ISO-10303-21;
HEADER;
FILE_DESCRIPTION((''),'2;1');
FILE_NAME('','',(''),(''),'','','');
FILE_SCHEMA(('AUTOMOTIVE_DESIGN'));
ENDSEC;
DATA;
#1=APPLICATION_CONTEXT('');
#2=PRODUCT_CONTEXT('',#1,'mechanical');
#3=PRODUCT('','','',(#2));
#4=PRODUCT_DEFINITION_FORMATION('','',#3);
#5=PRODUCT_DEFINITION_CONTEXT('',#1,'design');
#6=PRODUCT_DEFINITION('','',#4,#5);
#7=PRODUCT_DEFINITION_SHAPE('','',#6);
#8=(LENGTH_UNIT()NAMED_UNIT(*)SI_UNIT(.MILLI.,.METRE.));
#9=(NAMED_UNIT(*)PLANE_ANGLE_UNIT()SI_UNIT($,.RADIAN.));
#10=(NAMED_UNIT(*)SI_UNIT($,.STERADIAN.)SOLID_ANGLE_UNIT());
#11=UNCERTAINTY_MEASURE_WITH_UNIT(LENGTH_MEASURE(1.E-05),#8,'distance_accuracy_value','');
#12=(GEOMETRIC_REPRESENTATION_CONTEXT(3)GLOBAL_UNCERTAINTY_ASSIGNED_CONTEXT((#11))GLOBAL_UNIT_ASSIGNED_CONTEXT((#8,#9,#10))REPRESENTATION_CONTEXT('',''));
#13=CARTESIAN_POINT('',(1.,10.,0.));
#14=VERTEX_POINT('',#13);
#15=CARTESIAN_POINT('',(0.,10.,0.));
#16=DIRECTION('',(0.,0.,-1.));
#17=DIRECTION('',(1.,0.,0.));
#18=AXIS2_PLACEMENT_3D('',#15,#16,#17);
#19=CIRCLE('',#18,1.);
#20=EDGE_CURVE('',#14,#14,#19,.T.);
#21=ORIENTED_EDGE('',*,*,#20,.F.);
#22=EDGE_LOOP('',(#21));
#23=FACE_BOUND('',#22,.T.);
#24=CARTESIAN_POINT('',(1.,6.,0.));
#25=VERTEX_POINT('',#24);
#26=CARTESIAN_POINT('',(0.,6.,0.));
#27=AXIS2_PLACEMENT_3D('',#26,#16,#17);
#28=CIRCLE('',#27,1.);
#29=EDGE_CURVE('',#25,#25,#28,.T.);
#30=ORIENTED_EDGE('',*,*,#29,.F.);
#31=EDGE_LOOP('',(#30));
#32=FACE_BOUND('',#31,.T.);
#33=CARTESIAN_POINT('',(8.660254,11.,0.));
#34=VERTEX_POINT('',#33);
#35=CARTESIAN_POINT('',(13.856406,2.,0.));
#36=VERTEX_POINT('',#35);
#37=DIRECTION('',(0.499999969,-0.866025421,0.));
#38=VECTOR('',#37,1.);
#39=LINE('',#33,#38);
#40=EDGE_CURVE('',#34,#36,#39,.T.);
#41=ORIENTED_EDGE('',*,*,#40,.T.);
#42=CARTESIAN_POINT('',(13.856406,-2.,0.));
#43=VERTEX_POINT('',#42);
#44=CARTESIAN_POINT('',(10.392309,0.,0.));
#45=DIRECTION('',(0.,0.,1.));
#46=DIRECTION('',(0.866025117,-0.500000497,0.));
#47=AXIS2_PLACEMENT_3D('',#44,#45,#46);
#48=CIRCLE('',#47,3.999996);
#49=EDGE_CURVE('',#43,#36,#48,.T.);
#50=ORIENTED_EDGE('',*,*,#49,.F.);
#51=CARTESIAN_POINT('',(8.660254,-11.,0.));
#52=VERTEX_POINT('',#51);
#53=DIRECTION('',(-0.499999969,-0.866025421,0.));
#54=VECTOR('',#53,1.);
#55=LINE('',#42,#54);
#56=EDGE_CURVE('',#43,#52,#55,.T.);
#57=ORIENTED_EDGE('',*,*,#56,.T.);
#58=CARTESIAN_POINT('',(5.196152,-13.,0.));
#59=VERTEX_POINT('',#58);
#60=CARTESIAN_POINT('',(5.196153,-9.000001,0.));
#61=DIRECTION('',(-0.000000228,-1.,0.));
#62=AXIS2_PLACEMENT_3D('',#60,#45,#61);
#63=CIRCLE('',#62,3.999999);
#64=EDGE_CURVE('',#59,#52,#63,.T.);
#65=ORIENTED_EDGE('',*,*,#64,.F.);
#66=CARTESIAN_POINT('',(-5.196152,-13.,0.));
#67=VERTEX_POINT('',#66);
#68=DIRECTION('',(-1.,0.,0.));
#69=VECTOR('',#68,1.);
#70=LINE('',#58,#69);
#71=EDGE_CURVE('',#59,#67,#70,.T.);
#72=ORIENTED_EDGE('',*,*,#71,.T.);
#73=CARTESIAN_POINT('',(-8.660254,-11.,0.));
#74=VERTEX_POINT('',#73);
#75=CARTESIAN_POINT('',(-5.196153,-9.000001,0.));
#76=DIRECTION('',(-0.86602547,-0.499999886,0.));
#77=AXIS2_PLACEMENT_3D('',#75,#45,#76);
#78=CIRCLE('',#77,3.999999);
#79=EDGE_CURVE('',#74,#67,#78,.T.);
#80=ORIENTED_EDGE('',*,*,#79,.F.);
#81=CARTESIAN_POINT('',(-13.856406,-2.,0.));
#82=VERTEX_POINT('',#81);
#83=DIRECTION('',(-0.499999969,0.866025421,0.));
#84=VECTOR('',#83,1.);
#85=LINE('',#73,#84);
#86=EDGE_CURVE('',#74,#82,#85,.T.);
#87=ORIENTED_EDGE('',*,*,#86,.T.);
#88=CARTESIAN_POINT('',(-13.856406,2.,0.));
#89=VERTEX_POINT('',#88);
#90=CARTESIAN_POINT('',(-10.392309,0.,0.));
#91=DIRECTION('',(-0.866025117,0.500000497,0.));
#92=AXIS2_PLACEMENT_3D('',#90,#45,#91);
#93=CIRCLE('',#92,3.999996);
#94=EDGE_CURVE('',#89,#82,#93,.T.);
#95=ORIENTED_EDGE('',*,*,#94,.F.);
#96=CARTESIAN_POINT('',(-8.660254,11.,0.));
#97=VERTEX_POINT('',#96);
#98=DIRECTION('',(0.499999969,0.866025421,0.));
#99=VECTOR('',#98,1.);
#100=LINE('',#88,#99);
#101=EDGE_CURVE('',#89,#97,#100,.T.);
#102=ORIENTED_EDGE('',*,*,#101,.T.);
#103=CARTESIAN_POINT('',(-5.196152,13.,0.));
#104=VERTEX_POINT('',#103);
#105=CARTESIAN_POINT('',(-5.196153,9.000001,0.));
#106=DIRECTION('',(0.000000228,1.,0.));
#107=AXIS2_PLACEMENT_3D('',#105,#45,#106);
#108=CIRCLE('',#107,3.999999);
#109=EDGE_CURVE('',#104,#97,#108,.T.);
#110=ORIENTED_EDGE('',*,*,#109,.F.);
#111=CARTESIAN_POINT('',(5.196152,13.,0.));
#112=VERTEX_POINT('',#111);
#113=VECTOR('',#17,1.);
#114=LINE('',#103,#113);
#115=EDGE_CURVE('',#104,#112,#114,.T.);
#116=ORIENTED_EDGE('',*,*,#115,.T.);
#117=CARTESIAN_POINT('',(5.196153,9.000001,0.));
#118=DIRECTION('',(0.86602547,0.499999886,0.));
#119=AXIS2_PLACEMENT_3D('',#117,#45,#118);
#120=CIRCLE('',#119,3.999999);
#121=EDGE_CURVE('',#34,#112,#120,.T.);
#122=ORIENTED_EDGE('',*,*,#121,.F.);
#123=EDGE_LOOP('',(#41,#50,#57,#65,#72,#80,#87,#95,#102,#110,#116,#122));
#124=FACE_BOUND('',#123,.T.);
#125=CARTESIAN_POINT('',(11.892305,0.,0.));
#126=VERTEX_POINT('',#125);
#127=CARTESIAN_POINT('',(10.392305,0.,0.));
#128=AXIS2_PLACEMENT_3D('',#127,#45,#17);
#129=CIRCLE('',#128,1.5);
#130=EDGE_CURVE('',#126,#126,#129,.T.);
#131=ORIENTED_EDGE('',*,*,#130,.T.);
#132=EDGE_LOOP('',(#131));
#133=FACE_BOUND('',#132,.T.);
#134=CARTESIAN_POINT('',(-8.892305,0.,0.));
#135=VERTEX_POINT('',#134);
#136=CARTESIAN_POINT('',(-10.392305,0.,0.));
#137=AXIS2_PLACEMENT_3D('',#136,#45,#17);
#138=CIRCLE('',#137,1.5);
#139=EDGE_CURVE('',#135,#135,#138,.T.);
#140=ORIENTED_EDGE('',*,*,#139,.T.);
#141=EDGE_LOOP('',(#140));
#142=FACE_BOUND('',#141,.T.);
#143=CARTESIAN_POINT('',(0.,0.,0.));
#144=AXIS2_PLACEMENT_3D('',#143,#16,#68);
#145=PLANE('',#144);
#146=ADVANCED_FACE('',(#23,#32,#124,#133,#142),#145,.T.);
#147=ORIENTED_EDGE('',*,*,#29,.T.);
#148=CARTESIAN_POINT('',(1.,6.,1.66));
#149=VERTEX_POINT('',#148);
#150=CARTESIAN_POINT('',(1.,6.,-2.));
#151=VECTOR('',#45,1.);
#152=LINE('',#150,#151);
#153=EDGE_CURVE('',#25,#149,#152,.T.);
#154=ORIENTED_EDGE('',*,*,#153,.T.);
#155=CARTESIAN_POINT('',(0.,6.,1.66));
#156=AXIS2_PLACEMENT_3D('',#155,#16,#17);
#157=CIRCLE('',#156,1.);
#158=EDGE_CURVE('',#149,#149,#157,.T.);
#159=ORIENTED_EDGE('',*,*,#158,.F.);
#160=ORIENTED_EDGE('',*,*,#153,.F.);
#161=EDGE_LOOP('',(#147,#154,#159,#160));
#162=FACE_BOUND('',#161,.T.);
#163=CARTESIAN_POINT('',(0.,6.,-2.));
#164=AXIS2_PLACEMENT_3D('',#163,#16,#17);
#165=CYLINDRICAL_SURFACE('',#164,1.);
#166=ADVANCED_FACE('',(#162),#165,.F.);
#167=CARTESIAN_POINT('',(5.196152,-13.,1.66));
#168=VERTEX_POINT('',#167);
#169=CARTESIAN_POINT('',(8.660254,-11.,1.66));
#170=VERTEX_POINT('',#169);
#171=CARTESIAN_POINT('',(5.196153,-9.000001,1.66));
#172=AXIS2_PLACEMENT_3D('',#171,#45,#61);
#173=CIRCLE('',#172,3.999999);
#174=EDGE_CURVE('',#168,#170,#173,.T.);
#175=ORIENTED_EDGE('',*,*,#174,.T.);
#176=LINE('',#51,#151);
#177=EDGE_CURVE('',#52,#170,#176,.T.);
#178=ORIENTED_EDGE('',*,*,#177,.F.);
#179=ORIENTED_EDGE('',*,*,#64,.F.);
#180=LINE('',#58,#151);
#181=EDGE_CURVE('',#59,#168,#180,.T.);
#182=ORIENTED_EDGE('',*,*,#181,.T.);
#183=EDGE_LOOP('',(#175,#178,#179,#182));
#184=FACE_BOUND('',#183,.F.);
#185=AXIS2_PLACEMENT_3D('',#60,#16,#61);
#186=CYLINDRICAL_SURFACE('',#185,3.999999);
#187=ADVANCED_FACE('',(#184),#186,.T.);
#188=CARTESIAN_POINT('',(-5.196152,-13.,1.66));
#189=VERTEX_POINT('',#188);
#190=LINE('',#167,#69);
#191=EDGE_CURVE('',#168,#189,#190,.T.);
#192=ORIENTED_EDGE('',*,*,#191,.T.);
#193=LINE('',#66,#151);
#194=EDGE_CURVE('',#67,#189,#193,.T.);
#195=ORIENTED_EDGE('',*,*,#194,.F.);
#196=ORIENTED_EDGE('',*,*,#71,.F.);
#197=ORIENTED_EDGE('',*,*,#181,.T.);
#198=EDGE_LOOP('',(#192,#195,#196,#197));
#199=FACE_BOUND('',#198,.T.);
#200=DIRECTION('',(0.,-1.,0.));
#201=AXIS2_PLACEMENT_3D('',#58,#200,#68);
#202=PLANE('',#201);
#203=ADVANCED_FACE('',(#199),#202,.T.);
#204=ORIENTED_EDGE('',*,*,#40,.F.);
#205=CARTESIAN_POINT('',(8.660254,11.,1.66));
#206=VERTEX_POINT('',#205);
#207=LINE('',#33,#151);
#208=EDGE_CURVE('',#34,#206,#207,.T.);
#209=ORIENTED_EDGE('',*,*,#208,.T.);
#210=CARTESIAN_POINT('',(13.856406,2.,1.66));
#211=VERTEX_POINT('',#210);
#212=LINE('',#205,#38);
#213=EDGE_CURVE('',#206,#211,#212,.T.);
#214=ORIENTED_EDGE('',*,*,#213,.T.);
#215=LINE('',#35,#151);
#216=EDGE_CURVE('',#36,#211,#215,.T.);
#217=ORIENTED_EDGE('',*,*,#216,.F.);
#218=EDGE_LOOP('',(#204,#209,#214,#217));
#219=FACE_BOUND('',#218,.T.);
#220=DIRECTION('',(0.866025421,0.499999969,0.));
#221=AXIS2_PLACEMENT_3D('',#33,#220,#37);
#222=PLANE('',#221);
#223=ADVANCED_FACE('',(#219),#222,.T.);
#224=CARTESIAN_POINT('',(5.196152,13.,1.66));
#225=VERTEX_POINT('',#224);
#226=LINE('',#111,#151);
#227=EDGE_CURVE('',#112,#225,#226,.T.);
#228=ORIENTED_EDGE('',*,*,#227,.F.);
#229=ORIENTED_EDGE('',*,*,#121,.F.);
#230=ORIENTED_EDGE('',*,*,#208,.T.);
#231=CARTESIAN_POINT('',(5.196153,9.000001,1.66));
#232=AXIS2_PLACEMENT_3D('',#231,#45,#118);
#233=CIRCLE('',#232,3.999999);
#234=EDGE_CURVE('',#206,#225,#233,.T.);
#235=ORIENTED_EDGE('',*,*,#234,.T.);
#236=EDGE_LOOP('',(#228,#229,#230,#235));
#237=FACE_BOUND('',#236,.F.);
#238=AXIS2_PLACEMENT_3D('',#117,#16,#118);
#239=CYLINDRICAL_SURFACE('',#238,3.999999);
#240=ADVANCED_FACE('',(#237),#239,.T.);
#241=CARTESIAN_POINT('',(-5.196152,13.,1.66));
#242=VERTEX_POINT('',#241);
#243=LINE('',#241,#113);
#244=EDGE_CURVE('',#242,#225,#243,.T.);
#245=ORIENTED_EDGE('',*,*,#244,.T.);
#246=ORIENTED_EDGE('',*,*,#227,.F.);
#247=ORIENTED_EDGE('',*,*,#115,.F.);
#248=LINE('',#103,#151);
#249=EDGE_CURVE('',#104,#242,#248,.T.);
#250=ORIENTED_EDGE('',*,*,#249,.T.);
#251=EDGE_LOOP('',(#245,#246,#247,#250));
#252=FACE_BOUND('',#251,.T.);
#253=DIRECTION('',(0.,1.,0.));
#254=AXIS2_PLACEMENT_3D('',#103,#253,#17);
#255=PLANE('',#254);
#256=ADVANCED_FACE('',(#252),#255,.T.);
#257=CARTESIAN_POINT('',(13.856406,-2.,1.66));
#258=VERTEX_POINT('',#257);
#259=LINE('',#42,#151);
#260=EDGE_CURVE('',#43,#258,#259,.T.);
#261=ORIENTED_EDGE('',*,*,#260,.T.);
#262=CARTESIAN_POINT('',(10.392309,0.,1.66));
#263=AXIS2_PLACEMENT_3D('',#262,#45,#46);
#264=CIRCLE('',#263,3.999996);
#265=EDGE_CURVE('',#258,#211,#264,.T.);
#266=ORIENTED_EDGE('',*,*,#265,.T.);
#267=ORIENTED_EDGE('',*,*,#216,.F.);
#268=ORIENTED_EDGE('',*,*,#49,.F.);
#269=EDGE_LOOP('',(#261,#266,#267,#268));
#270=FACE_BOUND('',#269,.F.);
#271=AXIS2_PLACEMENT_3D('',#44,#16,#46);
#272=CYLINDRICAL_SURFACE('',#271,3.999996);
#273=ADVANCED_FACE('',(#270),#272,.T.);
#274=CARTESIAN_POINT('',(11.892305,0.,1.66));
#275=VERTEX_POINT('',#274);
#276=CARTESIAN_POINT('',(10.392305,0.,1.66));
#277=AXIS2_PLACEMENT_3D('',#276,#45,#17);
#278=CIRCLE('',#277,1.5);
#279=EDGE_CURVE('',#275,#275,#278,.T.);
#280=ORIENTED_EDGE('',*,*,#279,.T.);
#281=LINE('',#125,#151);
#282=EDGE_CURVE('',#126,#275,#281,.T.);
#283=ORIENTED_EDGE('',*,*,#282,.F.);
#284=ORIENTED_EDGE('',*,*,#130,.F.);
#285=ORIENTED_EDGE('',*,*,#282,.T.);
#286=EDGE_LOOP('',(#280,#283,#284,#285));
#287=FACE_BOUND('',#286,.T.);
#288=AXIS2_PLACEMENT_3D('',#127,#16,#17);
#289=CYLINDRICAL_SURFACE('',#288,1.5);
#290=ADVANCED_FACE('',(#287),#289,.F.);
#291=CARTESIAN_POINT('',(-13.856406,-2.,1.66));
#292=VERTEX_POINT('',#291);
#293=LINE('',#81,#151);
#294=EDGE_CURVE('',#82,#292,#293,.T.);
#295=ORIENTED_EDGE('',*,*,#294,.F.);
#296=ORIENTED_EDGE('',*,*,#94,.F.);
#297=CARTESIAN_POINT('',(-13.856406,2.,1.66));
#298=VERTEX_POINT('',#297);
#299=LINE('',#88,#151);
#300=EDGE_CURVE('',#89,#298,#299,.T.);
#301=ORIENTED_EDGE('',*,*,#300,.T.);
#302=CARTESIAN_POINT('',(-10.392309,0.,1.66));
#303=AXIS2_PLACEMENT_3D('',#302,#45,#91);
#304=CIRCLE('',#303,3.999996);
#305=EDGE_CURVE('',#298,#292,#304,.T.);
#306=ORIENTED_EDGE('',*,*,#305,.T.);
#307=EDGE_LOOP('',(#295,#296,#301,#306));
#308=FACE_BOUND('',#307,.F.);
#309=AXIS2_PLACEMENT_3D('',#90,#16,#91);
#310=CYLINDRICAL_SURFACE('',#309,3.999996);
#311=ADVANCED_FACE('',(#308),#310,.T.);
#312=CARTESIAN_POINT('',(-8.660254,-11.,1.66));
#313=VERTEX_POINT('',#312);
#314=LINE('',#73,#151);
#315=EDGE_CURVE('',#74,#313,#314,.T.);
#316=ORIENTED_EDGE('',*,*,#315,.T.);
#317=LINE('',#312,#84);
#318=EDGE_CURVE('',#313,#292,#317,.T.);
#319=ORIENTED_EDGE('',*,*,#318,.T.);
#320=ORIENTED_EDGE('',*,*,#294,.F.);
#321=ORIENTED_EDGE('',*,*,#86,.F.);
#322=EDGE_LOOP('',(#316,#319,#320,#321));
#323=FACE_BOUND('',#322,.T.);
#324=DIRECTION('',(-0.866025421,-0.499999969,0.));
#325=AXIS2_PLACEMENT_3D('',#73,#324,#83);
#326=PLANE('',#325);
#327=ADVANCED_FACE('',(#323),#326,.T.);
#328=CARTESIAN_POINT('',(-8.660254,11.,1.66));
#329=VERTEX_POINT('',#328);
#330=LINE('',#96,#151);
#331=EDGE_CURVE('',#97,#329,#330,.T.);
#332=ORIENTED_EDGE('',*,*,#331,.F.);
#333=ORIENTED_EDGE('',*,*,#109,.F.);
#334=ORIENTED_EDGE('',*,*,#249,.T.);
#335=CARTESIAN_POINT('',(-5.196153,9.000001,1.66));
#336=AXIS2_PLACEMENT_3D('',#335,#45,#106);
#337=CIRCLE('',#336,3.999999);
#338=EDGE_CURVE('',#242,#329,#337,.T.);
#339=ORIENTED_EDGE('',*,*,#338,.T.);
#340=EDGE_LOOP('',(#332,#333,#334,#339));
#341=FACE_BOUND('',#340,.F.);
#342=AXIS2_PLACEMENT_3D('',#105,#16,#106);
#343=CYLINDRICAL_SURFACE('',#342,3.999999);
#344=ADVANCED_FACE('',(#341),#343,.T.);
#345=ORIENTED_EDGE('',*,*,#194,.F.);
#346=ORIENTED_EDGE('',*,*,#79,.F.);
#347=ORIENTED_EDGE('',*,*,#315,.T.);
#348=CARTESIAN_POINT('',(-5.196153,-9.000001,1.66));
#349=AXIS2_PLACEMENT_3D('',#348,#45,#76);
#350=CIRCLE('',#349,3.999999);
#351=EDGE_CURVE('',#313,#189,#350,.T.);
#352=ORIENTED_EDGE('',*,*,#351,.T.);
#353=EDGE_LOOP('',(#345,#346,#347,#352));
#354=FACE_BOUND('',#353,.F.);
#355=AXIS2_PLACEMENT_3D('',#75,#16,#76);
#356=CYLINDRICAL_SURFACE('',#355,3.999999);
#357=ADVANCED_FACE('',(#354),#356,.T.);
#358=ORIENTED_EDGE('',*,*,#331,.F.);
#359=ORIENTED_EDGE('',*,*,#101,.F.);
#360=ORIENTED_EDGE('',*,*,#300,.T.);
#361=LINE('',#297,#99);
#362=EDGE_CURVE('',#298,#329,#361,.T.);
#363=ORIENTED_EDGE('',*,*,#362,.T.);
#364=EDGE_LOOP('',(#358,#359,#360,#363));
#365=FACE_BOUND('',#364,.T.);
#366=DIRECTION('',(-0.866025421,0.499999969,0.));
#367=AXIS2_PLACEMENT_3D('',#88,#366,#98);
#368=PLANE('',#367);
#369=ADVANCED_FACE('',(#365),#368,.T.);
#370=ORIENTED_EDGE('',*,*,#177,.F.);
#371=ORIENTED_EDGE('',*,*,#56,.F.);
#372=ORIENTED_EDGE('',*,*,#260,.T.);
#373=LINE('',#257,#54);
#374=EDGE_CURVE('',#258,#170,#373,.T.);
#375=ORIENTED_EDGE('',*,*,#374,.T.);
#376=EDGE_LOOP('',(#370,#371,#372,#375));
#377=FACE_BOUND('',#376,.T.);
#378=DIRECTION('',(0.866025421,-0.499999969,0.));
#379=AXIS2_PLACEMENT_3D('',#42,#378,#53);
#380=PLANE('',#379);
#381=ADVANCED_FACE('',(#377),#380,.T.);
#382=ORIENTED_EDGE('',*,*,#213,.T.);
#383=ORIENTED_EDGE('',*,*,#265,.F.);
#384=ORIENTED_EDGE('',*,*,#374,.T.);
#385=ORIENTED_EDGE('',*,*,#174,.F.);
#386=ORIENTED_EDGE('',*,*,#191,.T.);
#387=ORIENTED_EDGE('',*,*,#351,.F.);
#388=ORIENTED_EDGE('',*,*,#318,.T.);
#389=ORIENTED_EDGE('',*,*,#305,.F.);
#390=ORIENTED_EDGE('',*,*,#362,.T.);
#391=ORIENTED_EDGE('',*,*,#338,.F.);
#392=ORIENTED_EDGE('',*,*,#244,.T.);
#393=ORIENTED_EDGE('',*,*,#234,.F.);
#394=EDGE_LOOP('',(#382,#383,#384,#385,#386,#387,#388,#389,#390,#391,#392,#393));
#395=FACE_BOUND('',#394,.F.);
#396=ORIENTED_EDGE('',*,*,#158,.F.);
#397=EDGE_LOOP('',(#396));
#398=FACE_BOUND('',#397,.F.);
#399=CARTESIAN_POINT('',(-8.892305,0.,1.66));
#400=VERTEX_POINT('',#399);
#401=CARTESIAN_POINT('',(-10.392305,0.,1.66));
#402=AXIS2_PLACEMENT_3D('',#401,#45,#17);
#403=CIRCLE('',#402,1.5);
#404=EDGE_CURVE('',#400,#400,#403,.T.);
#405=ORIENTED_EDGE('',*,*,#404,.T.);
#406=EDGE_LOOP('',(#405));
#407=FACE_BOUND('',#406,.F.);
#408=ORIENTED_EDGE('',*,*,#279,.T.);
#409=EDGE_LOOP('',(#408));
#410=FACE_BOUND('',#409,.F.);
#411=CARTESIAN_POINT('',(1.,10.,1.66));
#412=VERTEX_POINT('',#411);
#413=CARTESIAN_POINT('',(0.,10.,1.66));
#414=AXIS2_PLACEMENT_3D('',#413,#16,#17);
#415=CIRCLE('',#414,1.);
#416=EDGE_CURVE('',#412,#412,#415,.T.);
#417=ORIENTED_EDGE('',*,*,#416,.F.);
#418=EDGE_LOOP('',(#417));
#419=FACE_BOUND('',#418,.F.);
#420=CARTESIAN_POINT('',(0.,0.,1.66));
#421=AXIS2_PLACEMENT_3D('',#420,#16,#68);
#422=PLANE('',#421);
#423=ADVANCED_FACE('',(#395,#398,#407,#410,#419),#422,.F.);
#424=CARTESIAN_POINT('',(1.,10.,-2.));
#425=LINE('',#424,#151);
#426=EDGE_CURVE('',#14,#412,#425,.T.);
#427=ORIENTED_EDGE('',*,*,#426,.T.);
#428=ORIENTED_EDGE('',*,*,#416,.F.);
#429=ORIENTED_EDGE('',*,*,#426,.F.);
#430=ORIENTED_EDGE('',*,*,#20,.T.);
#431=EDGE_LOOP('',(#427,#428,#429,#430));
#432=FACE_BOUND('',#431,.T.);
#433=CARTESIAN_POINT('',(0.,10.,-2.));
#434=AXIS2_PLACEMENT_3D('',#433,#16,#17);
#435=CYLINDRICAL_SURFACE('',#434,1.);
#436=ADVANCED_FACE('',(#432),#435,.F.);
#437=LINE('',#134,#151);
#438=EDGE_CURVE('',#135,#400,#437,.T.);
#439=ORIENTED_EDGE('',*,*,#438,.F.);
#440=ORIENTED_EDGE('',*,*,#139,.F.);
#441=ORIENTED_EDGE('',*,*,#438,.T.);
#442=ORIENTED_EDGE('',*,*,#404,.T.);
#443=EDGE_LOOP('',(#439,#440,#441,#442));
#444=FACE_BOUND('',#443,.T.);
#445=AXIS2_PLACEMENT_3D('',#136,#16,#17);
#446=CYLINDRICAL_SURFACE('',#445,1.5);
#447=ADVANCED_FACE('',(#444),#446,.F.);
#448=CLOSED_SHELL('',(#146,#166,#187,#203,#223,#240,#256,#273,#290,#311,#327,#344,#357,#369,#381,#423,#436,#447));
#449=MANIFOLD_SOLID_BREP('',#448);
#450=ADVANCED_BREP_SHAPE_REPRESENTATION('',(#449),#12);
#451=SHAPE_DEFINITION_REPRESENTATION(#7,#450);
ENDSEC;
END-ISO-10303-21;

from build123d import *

# Parameters (mm, degrees)
CYLINDER001_R     = 1
CYLINDER001_DEPTH = 10
CYLINDER_R        = 1
CYLINDER_DEPTH    = 10
SKETCH_R          = 1.5
PAD_DEPTH         = 1.66


with BuildPart() as cilindro001:
    # Cylinder001 → Cylinder001 (new body)
    with BuildSketch(Plane(origin=(0, 6, -2), x_dir=(1, 0, 0), z_dir=(0, 0, 1))):
        Circle(CYLINDER001_R)
    extrude(amount=CYLINDER001_DEPTH)


with BuildPart() as cilindro:
    # Cylinder → Cylinder (new body)
    with BuildSketch(Plane(origin=(0, 10, -2), x_dir=(1, 0, 0), z_dir=(0, 0, 1))):
        Circle(CYLINDER_R)
    extrude(amount=CYLINDER_DEPTH)


with BuildPart() as placa_zumsingle:
    # Sketch → Pad (new body)
    with BuildSketch(Plane.XY):
        with BuildLine():
            Line((-13.856406, 2), (-8.660254, 11))
            ThreePointArc((-5.196152, 13), (-7.196152, 12.464102), (-8.660254, 11))
            Line((-5.196152, 13), (5.196152, 13))
            ThreePointArc((8.660254, 11), (7.196152, 12.464102), (5.196152, 13))
            Line((8.660254, 11), (13.856406, 2))
            ThreePointArc((13.856406, -2), (14.392305, 0), (13.856406, 2))
            Line((13.856406, -2), (8.660254, -11))
            ThreePointArc((5.196152, -13), (7.196152, -12.464102), (8.660254, -11))
            Line((5.196152, -13), (-5.196152, -13))
            ThreePointArc((-8.660254, -11), (-7.196152, -12.464102), (-5.196152, -13))
            Line((-8.660254, -11), (-13.856406, -2))
            ThreePointArc((-13.856406, 2), (-14.392305, 0), (-13.856406, -2))
        make_face()
        with Locations((-10.392305, 0)):
            Circle(SKETCH_R, mode=Mode.SUBTRACT)
        with Locations((10.392305, 0)):
            Circle(SKETCH_R, mode=Mode.SUBTRACT)
    extrude(amount=PAD_DEPTH)

    # Cut003: cut Cilindro
    add(cilindro.part, mode=Mode.SUBTRACT)

    # Cut004: cut Cilindro001
    add(cilindro001.part, mode=Mode.SUBTRACT)


solid = placa_zumsingle.part
